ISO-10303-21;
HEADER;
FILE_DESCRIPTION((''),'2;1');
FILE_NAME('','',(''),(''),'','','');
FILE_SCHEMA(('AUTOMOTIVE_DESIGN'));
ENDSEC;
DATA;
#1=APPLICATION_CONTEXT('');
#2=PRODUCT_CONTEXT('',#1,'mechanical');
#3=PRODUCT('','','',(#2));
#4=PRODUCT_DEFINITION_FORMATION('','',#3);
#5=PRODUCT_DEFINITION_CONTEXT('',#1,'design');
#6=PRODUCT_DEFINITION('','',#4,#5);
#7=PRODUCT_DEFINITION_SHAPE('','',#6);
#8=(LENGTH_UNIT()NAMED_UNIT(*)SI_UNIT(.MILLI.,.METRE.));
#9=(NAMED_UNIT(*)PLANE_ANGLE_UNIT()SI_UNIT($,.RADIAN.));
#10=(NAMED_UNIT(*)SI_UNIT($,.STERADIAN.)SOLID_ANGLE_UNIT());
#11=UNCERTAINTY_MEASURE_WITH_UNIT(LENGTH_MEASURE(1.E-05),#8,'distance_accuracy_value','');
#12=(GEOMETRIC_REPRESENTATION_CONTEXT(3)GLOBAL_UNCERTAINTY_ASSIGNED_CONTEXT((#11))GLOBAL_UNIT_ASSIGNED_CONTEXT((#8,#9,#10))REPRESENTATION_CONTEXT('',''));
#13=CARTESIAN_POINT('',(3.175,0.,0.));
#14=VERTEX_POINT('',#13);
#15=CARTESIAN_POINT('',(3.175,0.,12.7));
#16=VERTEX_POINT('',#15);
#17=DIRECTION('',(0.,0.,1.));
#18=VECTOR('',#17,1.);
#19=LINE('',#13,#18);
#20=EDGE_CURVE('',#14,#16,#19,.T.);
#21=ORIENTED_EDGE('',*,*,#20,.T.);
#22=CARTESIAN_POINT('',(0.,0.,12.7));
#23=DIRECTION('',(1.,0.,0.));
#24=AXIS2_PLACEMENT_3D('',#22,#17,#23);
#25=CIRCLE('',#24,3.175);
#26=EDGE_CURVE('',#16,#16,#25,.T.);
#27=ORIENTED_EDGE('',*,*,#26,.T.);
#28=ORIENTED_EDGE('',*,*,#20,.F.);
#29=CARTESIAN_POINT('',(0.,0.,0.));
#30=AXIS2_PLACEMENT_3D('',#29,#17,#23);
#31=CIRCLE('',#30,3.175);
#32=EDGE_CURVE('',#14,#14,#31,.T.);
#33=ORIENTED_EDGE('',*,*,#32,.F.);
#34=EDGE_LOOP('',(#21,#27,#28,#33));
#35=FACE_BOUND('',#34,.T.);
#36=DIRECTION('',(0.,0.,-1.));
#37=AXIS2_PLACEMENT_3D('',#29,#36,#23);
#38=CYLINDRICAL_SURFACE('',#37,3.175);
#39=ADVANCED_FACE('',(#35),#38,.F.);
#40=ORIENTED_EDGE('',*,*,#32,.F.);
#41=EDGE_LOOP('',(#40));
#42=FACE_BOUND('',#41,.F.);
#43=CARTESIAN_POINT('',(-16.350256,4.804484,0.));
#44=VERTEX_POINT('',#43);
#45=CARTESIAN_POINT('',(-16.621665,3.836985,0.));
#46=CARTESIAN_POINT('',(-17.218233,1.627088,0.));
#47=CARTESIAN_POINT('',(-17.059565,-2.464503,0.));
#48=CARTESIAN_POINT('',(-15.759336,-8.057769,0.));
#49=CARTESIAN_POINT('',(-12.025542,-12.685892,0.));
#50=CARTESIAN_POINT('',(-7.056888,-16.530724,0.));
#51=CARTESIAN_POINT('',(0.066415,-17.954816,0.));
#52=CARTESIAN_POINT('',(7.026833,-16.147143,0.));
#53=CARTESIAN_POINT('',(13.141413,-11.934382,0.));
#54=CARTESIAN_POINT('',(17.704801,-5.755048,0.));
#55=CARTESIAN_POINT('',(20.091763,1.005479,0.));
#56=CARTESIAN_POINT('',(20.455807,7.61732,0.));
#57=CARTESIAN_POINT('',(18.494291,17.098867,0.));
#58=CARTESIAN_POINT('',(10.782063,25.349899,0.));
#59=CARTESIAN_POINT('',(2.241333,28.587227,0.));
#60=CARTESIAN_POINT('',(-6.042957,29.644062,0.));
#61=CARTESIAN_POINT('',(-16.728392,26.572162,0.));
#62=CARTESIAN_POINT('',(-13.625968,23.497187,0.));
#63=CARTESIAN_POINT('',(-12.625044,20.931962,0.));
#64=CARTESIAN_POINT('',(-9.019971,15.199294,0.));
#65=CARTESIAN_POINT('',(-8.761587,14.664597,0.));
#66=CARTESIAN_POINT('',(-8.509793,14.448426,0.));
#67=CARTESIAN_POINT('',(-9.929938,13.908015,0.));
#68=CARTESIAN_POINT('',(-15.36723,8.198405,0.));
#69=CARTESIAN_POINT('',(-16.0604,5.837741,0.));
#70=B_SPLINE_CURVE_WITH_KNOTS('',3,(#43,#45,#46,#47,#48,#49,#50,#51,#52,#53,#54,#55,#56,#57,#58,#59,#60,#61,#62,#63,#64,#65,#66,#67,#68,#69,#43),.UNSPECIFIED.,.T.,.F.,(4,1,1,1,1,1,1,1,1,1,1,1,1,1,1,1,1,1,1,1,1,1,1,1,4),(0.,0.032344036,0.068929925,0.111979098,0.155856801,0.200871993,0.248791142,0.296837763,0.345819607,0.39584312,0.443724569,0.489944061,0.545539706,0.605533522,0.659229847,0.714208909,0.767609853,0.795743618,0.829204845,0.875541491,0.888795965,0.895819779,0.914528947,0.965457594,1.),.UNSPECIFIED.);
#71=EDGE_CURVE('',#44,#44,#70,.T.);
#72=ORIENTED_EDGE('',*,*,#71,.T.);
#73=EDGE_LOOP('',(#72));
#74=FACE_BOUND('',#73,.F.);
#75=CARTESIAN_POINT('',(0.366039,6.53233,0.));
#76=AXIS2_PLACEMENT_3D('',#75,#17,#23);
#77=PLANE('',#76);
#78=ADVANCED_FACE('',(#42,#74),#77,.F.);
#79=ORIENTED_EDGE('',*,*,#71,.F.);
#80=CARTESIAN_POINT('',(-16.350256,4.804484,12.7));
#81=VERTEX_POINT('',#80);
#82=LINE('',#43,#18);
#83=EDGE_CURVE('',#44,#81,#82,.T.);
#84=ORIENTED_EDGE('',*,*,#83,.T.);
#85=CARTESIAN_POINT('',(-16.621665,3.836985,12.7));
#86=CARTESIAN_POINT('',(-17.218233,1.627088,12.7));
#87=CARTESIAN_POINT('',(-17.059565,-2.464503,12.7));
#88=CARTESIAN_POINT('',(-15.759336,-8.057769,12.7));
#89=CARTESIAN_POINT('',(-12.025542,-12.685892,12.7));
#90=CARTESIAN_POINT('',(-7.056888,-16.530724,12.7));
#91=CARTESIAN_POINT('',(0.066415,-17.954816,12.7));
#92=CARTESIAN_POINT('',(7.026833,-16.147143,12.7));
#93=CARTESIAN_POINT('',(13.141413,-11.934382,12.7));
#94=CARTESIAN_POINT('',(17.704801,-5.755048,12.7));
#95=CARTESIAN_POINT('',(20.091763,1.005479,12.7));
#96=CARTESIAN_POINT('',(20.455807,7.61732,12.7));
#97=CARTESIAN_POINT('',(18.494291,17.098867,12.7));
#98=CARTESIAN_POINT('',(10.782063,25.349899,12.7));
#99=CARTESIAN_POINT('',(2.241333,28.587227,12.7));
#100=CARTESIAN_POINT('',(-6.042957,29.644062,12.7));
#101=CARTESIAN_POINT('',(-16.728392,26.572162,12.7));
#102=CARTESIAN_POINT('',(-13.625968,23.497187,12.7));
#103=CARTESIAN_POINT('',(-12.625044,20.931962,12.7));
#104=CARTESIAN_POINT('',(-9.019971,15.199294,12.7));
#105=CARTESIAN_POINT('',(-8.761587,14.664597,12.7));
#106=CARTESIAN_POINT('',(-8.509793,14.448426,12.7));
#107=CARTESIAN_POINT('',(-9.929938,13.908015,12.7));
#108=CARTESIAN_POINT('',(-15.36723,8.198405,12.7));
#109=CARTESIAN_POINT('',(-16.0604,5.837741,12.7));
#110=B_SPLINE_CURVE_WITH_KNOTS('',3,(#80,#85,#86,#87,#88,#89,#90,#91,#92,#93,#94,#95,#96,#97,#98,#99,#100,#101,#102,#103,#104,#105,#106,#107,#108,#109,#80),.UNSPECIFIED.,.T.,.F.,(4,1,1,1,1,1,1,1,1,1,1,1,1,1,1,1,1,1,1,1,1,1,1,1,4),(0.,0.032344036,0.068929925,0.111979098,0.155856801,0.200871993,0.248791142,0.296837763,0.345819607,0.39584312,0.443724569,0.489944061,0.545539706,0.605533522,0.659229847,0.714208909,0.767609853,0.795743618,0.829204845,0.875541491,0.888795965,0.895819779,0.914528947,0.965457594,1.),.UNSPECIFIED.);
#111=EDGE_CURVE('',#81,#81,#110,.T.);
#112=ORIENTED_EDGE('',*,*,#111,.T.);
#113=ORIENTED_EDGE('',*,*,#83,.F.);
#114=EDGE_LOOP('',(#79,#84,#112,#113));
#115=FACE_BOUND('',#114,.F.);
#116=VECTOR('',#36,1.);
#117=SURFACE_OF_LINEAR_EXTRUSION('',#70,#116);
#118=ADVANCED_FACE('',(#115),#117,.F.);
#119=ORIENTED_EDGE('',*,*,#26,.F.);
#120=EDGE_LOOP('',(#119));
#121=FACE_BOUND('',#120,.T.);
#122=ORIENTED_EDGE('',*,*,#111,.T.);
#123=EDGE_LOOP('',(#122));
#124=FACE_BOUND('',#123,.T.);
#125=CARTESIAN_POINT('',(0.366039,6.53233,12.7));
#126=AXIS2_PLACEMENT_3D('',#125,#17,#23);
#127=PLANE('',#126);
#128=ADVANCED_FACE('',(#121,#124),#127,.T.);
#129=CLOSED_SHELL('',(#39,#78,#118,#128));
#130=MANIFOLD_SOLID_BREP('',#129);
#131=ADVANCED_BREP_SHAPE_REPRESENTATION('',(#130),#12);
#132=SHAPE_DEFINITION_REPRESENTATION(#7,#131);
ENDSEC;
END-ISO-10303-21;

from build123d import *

# Parameters (mm, degrees)
F0_R     = 3.175
F1_DEPTH = 12.7


with BuildPart() as f1:
    # F0 (on Top) → F1 (new body)
    with BuildSketch(Plane.XY):
        with BuildLine():
            add(Edge.make_bspline(
                [(-16.3502562791, 4.8044836149), (-16.6216648975, 3.8369851864), (-17.2182325452, 1.6270879532), (-17.059564531, -2.4645025014), (-15.7593356619, -8.0577691057), (-12.0255415856, -12.6858919101), (-7.0568877623, -16.5307236206), (0.0664146794, -17.9548161803), (7.0268334481, -16.1471429178), (13.1414129542, -11.934382182), (17.704801253, -5.7550477557), (20.0917633031, 1.0054790477), (20.4558073348, 7.6173195576), (18.4942910155, 17.0988673204), (10.7820625049, 25.3498994678), (2.2413333665, 28.5872272053), (-6.0429568002, 29.6440622508), (-16.7283918446, 26.5721623442), (-13.6259680111, 23.4971867608), (-12.6250436258, 20.9319623025), (-9.0199714321, 15.1992941257), (-8.7615871899, 14.6645973385), (-8.509792641, 14.4484263583), (-9.929937884, 13.9080146226), (-15.3672296242, 8.1984052778), (-16.0604004643, 5.8377413167), (-16.3502562791, 4.8044836149)],
                knots=[0, 0, 0, 0, 0.0323440356, 0.0689299248, 0.111979098, 0.1558568014, 0.2008719925, 0.2487911422, 0.2968377633, 0.3458196073, 0.3958431201, 0.4437245695, 0.4899440606, 0.5455397058, 0.6055335221, 0.6592298474, 0.7142089092, 0.7676098528, 0.7957436185, 0.8292048454, 0.8755414907, 0.8887959646, 0.8958197789, 0.9145289468, 0.9654575936, 1, 1, 1, 1], degree=3))
        make_face()
        Circle(F0_R, mode=Mode.SUBTRACT)
    extrude(amount=F1_DEPTH)


solid = f1.part
